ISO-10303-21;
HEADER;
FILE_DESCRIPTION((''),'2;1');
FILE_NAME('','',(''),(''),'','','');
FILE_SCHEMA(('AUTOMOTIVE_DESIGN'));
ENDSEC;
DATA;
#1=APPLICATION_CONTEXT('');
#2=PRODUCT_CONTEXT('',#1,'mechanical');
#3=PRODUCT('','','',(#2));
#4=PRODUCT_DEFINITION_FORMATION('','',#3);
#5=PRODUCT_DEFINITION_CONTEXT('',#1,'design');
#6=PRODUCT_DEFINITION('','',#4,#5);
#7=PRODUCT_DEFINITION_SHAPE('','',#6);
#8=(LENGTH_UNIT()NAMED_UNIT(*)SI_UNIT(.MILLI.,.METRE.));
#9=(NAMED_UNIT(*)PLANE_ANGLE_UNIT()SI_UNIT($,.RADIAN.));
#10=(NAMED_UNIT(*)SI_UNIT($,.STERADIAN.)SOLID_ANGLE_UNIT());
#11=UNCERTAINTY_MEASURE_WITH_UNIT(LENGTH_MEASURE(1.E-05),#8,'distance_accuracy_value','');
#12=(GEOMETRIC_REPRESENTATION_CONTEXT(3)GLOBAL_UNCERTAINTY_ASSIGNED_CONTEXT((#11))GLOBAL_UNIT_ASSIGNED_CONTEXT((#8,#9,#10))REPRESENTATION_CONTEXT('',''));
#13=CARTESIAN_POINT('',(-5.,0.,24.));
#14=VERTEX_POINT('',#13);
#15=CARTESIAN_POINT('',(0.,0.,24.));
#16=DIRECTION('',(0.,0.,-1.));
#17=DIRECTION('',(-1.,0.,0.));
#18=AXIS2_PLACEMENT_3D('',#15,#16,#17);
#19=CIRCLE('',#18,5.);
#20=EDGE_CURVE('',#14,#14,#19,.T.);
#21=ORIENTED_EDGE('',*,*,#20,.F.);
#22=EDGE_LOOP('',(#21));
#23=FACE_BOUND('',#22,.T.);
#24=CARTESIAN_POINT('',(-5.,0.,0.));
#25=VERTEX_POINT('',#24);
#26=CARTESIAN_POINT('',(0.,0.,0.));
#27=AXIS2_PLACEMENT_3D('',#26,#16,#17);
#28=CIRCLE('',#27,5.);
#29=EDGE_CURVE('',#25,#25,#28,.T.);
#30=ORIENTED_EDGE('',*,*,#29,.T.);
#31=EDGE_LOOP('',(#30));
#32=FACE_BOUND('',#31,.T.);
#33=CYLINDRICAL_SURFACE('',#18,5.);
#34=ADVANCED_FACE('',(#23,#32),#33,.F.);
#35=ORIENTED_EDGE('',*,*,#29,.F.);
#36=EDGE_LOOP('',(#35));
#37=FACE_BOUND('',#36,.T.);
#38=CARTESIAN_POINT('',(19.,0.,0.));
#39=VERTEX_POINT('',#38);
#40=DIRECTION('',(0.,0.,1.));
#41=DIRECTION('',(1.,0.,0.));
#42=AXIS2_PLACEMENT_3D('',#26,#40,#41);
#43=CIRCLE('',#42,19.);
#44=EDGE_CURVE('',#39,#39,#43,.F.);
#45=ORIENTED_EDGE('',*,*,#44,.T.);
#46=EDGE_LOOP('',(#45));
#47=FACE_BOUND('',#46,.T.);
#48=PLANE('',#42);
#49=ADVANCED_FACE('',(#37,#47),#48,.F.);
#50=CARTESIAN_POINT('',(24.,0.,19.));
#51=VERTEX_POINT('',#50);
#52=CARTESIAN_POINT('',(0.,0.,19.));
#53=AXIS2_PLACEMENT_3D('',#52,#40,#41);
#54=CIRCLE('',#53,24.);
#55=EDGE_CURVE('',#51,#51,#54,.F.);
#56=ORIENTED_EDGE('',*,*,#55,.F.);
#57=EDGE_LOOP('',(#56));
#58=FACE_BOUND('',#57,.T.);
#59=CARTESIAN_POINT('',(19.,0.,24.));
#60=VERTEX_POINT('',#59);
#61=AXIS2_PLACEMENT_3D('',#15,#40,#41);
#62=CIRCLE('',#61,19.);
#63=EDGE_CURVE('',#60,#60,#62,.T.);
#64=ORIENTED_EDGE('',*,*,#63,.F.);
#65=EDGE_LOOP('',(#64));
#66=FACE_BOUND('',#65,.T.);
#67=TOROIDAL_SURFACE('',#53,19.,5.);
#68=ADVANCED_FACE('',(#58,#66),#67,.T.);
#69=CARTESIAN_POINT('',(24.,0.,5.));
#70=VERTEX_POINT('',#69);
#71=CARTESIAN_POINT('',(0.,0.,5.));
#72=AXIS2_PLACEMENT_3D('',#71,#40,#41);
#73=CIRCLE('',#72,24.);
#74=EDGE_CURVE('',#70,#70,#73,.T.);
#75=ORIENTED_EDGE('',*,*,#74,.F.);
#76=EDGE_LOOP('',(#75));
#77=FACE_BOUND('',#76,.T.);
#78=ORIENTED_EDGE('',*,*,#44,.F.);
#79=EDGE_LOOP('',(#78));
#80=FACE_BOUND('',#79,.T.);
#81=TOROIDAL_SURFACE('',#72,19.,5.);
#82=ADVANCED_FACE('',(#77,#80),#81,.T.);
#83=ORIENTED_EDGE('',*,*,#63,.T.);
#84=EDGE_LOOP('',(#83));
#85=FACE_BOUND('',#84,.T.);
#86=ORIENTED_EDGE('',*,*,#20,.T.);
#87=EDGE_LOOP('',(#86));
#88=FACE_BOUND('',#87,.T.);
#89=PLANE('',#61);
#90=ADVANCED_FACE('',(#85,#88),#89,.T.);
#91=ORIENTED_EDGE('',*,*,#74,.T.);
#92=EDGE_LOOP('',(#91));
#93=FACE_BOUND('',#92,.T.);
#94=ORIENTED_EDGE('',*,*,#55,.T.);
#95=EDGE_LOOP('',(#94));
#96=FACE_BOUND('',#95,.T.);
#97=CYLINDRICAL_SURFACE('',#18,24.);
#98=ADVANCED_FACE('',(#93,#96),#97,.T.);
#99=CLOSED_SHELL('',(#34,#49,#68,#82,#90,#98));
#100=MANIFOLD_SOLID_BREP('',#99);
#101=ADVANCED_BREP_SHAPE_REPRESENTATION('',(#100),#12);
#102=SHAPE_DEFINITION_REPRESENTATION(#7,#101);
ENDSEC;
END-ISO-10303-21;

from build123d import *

# Parameters (mm, degrees)
SKIZZE1_R                       = 24
AUFSATZ_LINEAR_AUSTRAGEN1_DEPTH = 24
VERRUNDUNG1_R                   = 5
SKIZZE2_R                       = 5
SCHNITT_LINEAR_AUSTRAGEN1_DEPTH = 25


with BuildPart() as part:
    # Skizze1 → Aufsatz-Linear austragen1 (new body)
    with BuildSketch(Plane.XY):
        Circle(SKIZZE1_R)
    extrude(amount=AUFSATZ_LINEAR_AUSTRAGEN1_DEPTH)

    # Verrundung1
    verrundung1_edges = [part.edges().sort_by_distance(p)[0] for p in [
        (-24, 0, 0),
        (-24, 0, 24),
    ]]
    fillet(verrundung1_edges, radius=VERRUNDUNG1_R)

    # Skizze2 → Schnitt-Linear austragen1 (cut, through all)
    with BuildSketch(Plane(origin=(0, 0, 0), x_dir=(-1, 0, 0), z_dir=(0, 0, -1))):
        Circle(SKIZZE2_R)
    extrude(amount=-SCHNITT_LINEAR_AUSTRAGEN1_DEPTH, mode=Mode.SUBTRACT)


solid = part.part
